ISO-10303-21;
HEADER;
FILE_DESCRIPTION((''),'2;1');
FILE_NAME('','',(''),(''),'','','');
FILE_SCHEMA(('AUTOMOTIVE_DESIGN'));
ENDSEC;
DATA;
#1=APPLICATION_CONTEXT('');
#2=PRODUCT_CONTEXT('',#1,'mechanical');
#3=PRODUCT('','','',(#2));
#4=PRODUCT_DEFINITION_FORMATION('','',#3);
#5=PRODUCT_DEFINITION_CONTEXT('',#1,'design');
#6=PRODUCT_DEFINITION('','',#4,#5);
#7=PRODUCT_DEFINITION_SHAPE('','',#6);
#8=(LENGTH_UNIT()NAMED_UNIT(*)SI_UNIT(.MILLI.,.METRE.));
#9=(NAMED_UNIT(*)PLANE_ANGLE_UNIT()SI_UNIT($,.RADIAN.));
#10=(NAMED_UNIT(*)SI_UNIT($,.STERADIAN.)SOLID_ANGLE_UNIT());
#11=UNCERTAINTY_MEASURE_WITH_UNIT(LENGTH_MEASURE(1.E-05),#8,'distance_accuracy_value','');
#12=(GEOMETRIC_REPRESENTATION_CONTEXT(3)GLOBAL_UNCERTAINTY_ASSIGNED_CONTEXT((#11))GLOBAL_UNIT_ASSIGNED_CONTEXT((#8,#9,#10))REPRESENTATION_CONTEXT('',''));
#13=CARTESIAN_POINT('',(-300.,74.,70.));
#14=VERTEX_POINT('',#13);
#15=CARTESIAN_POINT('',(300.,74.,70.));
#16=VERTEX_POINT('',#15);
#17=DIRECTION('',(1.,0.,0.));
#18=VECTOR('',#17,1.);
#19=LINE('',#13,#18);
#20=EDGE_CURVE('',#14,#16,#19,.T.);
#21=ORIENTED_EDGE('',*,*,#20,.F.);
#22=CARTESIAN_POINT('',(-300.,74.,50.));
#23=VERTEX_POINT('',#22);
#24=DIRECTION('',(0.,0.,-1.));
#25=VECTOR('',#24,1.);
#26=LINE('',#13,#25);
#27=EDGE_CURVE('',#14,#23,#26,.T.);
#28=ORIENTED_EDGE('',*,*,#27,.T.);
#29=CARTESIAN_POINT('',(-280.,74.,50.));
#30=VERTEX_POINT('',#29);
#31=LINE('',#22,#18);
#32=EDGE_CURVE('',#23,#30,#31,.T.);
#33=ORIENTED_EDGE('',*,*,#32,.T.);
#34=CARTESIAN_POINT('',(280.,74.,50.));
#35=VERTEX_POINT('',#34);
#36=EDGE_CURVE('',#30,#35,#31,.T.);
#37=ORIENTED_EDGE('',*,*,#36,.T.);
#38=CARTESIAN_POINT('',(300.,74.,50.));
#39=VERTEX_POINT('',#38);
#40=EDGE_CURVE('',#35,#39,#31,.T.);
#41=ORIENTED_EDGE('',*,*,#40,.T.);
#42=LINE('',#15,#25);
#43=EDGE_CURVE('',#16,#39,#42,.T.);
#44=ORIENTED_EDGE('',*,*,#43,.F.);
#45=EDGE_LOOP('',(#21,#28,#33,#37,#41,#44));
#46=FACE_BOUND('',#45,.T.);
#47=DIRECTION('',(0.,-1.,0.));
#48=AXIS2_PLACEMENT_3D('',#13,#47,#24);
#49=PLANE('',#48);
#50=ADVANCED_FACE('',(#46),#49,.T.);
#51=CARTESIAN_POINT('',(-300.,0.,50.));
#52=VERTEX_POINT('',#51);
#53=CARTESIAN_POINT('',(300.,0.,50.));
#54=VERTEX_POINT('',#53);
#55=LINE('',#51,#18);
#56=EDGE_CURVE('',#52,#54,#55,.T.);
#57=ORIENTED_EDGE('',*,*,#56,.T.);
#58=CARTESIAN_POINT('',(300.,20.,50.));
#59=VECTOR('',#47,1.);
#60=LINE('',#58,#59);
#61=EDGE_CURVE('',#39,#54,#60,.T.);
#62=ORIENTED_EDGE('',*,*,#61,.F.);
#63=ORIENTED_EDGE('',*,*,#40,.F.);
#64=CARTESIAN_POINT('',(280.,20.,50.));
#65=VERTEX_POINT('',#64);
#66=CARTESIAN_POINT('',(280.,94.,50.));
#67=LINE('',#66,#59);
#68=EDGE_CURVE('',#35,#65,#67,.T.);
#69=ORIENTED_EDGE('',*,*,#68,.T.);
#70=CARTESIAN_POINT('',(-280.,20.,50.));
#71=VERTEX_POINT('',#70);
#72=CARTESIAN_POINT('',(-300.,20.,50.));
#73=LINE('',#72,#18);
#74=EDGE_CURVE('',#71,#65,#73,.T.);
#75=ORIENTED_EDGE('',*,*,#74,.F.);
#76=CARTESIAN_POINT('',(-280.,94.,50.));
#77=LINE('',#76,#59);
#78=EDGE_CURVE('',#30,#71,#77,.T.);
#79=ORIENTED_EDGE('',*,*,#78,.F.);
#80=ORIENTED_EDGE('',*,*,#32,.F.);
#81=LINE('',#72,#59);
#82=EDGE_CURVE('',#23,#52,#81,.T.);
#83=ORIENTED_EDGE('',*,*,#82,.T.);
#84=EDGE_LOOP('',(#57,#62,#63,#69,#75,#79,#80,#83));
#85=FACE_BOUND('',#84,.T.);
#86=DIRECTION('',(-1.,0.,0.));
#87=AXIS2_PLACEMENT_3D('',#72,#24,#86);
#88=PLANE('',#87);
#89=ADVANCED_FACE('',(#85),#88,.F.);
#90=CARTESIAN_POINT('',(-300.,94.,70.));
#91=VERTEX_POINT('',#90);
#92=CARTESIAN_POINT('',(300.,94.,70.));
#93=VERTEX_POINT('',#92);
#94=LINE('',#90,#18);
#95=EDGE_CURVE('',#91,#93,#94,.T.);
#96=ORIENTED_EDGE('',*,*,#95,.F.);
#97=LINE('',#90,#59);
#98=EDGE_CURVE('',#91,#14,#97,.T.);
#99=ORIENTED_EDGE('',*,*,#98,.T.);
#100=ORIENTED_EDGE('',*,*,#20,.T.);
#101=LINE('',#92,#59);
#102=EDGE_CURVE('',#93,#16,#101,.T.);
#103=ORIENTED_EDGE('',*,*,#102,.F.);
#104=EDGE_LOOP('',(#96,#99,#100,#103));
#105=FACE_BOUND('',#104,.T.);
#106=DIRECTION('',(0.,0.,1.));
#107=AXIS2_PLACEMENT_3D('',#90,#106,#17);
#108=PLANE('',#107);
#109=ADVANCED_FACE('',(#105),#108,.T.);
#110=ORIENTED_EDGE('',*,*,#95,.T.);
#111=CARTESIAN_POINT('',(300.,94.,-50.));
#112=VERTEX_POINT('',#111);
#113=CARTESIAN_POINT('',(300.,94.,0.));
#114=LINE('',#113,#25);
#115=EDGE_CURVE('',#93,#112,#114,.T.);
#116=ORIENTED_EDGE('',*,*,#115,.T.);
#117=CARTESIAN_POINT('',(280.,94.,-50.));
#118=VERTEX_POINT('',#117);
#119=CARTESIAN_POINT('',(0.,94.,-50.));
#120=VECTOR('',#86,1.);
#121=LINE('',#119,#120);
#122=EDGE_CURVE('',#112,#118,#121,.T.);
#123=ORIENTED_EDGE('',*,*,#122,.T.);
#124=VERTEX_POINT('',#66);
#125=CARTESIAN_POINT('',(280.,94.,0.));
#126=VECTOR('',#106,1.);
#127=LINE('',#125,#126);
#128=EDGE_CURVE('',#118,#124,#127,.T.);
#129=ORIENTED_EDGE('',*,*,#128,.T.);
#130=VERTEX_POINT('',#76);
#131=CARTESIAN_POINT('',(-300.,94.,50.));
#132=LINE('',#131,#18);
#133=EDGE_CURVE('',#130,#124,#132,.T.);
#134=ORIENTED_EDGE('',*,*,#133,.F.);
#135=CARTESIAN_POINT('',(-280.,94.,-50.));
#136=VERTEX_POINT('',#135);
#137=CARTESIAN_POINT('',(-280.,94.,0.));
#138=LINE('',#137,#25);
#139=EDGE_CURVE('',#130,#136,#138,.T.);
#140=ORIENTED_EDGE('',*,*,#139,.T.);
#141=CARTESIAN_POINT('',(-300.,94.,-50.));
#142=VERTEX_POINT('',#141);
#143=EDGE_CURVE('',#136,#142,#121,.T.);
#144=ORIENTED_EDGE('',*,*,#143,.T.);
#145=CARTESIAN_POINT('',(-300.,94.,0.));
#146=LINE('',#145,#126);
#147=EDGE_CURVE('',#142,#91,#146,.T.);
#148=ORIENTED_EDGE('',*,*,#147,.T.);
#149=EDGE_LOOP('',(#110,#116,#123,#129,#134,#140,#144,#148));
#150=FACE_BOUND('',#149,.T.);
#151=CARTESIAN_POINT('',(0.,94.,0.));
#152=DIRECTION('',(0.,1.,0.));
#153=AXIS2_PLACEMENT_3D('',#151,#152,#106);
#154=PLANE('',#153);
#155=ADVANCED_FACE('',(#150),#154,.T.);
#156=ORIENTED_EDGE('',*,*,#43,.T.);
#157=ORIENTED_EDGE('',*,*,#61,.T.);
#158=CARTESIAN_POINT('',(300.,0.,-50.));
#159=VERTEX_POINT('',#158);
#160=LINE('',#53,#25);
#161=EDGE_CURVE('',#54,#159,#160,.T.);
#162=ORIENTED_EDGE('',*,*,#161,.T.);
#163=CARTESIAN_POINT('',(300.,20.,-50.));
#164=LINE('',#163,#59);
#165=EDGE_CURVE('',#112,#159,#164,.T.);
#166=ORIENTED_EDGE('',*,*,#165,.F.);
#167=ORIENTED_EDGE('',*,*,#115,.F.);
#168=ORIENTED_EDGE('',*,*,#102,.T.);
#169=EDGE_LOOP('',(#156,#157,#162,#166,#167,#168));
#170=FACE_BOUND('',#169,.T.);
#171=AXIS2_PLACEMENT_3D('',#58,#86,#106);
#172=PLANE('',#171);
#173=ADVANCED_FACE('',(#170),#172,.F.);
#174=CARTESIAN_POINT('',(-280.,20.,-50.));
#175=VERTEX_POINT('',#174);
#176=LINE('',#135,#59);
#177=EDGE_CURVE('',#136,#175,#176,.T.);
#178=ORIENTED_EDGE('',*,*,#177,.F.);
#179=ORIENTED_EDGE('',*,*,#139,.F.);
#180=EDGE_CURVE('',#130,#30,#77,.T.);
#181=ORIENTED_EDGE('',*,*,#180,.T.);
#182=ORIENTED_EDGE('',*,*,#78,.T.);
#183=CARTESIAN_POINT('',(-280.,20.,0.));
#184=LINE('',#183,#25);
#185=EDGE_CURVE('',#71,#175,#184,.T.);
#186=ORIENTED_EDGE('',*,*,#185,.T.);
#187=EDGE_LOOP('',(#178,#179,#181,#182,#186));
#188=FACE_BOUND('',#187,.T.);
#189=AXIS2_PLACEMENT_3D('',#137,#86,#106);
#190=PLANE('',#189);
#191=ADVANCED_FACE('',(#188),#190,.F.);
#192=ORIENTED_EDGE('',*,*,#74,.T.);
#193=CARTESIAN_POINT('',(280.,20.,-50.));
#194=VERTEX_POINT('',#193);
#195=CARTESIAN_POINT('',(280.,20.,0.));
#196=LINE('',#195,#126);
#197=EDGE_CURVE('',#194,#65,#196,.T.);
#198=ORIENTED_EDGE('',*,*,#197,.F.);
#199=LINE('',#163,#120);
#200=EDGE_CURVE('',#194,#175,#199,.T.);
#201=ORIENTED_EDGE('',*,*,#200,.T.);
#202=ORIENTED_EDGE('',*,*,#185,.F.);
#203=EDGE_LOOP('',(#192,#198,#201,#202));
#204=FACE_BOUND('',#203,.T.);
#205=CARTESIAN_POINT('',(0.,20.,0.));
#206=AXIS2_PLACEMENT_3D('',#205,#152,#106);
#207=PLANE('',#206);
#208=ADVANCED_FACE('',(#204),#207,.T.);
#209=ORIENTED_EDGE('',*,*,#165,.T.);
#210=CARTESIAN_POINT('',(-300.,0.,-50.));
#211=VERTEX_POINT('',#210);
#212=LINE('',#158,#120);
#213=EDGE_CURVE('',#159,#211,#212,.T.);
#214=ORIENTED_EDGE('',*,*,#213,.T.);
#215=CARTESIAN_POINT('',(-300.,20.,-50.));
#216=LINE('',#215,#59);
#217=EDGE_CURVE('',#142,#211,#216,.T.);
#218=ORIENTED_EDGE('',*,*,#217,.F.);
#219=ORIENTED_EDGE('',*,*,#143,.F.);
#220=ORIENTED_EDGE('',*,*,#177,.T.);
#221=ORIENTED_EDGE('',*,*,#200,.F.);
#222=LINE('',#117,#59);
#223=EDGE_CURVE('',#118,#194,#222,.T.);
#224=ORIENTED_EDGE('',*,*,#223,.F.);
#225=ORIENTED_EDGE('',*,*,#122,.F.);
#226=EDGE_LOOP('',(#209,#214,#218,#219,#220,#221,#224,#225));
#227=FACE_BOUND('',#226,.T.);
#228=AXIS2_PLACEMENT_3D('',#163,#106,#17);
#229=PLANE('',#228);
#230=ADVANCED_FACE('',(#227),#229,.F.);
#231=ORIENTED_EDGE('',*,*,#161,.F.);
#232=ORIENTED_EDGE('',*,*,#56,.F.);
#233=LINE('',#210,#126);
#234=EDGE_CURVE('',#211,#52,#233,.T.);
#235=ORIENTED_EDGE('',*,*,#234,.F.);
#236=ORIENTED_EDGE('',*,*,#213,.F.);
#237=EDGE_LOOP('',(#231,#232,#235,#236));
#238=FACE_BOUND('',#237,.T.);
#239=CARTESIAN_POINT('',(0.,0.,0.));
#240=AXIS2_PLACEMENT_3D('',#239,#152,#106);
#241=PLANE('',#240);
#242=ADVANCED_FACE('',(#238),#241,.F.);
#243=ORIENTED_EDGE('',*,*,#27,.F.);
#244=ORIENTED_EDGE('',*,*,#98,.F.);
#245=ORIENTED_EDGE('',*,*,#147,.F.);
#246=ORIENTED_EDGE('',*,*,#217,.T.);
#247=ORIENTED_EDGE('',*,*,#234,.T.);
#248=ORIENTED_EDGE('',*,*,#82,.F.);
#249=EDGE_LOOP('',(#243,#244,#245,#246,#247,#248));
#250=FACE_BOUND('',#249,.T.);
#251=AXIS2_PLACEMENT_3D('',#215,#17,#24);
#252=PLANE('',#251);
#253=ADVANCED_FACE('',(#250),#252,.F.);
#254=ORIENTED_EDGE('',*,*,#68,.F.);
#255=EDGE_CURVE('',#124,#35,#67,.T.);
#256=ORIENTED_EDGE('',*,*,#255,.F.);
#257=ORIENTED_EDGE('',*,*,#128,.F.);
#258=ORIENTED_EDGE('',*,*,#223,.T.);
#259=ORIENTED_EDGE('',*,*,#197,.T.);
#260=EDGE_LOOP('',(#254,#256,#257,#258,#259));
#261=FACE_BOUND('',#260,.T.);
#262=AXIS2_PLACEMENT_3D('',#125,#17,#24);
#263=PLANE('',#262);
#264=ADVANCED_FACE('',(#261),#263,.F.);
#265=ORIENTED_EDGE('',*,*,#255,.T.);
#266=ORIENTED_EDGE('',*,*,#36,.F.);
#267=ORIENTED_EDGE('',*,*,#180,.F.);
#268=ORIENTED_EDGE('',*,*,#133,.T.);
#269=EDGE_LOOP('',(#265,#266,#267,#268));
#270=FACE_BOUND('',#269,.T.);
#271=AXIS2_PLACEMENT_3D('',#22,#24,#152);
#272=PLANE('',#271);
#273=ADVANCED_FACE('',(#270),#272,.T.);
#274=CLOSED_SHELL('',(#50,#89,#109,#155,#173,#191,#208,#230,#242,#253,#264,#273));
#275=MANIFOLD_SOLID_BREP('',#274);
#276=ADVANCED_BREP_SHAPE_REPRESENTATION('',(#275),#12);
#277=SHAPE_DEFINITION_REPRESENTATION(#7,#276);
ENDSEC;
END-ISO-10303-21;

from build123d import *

# Parameters (mm, degrees)
SKETCH_1_W           = 600
SKETCH_1_H           = 100
EXTRUDE_1_DEPTH      = 20
SKETCH_2_W           = 20
SKETCH_2_H           = 100
EXTRUDE_2_DEPTH      = 74
EXTRUDE_3_DEPTH      = 300
EXTRUDE_3_DEPTH_BACK = 300
SKETCH_3_W           = 20
SKETCH_3_H           = 20


with BuildPart() as part:
    # Эскиз1 → Выдавливание1 (new body)
    with BuildSketch(Plane(origin=(0, 0, 0), x_dir=(-1, 0, 0), z_dir=(0, 1, 0))):
        Rectangle(SKETCH_1_W, SKETCH_1_H)
    extrude(amount=EXTRUDE_1_DEPTH)

    # Эскиз2 → Выдавливание2 (add)
    with BuildSketch(Plane(origin=(0, 20, 0), x_dir=(-1, 0, 0), z_dir=(0, 1, 0))):
        with Locations((-290, 0)):
            Rectangle(SKETCH_2_W, SKETCH_2_H)
        with Locations((290, 0)):
            Rectangle(SKETCH_2_W, SKETCH_2_H)
    extrude(amount=EXTRUDE_2_DEPTH)

    # Эскиз3 → Выдавливание3 (add, two sides: drawn at the far end of the back side and taken through both)
    with BuildSketch(Plane.YZ.offset(-EXTRUDE_3_DEPTH_BACK)):
        with Locations((84, 60)):
            Rectangle(SKETCH_3_W, SKETCH_3_H)
    extrude(amount=EXTRUDE_3_DEPTH + EXTRUDE_3_DEPTH_BACK)


solid = part.part
